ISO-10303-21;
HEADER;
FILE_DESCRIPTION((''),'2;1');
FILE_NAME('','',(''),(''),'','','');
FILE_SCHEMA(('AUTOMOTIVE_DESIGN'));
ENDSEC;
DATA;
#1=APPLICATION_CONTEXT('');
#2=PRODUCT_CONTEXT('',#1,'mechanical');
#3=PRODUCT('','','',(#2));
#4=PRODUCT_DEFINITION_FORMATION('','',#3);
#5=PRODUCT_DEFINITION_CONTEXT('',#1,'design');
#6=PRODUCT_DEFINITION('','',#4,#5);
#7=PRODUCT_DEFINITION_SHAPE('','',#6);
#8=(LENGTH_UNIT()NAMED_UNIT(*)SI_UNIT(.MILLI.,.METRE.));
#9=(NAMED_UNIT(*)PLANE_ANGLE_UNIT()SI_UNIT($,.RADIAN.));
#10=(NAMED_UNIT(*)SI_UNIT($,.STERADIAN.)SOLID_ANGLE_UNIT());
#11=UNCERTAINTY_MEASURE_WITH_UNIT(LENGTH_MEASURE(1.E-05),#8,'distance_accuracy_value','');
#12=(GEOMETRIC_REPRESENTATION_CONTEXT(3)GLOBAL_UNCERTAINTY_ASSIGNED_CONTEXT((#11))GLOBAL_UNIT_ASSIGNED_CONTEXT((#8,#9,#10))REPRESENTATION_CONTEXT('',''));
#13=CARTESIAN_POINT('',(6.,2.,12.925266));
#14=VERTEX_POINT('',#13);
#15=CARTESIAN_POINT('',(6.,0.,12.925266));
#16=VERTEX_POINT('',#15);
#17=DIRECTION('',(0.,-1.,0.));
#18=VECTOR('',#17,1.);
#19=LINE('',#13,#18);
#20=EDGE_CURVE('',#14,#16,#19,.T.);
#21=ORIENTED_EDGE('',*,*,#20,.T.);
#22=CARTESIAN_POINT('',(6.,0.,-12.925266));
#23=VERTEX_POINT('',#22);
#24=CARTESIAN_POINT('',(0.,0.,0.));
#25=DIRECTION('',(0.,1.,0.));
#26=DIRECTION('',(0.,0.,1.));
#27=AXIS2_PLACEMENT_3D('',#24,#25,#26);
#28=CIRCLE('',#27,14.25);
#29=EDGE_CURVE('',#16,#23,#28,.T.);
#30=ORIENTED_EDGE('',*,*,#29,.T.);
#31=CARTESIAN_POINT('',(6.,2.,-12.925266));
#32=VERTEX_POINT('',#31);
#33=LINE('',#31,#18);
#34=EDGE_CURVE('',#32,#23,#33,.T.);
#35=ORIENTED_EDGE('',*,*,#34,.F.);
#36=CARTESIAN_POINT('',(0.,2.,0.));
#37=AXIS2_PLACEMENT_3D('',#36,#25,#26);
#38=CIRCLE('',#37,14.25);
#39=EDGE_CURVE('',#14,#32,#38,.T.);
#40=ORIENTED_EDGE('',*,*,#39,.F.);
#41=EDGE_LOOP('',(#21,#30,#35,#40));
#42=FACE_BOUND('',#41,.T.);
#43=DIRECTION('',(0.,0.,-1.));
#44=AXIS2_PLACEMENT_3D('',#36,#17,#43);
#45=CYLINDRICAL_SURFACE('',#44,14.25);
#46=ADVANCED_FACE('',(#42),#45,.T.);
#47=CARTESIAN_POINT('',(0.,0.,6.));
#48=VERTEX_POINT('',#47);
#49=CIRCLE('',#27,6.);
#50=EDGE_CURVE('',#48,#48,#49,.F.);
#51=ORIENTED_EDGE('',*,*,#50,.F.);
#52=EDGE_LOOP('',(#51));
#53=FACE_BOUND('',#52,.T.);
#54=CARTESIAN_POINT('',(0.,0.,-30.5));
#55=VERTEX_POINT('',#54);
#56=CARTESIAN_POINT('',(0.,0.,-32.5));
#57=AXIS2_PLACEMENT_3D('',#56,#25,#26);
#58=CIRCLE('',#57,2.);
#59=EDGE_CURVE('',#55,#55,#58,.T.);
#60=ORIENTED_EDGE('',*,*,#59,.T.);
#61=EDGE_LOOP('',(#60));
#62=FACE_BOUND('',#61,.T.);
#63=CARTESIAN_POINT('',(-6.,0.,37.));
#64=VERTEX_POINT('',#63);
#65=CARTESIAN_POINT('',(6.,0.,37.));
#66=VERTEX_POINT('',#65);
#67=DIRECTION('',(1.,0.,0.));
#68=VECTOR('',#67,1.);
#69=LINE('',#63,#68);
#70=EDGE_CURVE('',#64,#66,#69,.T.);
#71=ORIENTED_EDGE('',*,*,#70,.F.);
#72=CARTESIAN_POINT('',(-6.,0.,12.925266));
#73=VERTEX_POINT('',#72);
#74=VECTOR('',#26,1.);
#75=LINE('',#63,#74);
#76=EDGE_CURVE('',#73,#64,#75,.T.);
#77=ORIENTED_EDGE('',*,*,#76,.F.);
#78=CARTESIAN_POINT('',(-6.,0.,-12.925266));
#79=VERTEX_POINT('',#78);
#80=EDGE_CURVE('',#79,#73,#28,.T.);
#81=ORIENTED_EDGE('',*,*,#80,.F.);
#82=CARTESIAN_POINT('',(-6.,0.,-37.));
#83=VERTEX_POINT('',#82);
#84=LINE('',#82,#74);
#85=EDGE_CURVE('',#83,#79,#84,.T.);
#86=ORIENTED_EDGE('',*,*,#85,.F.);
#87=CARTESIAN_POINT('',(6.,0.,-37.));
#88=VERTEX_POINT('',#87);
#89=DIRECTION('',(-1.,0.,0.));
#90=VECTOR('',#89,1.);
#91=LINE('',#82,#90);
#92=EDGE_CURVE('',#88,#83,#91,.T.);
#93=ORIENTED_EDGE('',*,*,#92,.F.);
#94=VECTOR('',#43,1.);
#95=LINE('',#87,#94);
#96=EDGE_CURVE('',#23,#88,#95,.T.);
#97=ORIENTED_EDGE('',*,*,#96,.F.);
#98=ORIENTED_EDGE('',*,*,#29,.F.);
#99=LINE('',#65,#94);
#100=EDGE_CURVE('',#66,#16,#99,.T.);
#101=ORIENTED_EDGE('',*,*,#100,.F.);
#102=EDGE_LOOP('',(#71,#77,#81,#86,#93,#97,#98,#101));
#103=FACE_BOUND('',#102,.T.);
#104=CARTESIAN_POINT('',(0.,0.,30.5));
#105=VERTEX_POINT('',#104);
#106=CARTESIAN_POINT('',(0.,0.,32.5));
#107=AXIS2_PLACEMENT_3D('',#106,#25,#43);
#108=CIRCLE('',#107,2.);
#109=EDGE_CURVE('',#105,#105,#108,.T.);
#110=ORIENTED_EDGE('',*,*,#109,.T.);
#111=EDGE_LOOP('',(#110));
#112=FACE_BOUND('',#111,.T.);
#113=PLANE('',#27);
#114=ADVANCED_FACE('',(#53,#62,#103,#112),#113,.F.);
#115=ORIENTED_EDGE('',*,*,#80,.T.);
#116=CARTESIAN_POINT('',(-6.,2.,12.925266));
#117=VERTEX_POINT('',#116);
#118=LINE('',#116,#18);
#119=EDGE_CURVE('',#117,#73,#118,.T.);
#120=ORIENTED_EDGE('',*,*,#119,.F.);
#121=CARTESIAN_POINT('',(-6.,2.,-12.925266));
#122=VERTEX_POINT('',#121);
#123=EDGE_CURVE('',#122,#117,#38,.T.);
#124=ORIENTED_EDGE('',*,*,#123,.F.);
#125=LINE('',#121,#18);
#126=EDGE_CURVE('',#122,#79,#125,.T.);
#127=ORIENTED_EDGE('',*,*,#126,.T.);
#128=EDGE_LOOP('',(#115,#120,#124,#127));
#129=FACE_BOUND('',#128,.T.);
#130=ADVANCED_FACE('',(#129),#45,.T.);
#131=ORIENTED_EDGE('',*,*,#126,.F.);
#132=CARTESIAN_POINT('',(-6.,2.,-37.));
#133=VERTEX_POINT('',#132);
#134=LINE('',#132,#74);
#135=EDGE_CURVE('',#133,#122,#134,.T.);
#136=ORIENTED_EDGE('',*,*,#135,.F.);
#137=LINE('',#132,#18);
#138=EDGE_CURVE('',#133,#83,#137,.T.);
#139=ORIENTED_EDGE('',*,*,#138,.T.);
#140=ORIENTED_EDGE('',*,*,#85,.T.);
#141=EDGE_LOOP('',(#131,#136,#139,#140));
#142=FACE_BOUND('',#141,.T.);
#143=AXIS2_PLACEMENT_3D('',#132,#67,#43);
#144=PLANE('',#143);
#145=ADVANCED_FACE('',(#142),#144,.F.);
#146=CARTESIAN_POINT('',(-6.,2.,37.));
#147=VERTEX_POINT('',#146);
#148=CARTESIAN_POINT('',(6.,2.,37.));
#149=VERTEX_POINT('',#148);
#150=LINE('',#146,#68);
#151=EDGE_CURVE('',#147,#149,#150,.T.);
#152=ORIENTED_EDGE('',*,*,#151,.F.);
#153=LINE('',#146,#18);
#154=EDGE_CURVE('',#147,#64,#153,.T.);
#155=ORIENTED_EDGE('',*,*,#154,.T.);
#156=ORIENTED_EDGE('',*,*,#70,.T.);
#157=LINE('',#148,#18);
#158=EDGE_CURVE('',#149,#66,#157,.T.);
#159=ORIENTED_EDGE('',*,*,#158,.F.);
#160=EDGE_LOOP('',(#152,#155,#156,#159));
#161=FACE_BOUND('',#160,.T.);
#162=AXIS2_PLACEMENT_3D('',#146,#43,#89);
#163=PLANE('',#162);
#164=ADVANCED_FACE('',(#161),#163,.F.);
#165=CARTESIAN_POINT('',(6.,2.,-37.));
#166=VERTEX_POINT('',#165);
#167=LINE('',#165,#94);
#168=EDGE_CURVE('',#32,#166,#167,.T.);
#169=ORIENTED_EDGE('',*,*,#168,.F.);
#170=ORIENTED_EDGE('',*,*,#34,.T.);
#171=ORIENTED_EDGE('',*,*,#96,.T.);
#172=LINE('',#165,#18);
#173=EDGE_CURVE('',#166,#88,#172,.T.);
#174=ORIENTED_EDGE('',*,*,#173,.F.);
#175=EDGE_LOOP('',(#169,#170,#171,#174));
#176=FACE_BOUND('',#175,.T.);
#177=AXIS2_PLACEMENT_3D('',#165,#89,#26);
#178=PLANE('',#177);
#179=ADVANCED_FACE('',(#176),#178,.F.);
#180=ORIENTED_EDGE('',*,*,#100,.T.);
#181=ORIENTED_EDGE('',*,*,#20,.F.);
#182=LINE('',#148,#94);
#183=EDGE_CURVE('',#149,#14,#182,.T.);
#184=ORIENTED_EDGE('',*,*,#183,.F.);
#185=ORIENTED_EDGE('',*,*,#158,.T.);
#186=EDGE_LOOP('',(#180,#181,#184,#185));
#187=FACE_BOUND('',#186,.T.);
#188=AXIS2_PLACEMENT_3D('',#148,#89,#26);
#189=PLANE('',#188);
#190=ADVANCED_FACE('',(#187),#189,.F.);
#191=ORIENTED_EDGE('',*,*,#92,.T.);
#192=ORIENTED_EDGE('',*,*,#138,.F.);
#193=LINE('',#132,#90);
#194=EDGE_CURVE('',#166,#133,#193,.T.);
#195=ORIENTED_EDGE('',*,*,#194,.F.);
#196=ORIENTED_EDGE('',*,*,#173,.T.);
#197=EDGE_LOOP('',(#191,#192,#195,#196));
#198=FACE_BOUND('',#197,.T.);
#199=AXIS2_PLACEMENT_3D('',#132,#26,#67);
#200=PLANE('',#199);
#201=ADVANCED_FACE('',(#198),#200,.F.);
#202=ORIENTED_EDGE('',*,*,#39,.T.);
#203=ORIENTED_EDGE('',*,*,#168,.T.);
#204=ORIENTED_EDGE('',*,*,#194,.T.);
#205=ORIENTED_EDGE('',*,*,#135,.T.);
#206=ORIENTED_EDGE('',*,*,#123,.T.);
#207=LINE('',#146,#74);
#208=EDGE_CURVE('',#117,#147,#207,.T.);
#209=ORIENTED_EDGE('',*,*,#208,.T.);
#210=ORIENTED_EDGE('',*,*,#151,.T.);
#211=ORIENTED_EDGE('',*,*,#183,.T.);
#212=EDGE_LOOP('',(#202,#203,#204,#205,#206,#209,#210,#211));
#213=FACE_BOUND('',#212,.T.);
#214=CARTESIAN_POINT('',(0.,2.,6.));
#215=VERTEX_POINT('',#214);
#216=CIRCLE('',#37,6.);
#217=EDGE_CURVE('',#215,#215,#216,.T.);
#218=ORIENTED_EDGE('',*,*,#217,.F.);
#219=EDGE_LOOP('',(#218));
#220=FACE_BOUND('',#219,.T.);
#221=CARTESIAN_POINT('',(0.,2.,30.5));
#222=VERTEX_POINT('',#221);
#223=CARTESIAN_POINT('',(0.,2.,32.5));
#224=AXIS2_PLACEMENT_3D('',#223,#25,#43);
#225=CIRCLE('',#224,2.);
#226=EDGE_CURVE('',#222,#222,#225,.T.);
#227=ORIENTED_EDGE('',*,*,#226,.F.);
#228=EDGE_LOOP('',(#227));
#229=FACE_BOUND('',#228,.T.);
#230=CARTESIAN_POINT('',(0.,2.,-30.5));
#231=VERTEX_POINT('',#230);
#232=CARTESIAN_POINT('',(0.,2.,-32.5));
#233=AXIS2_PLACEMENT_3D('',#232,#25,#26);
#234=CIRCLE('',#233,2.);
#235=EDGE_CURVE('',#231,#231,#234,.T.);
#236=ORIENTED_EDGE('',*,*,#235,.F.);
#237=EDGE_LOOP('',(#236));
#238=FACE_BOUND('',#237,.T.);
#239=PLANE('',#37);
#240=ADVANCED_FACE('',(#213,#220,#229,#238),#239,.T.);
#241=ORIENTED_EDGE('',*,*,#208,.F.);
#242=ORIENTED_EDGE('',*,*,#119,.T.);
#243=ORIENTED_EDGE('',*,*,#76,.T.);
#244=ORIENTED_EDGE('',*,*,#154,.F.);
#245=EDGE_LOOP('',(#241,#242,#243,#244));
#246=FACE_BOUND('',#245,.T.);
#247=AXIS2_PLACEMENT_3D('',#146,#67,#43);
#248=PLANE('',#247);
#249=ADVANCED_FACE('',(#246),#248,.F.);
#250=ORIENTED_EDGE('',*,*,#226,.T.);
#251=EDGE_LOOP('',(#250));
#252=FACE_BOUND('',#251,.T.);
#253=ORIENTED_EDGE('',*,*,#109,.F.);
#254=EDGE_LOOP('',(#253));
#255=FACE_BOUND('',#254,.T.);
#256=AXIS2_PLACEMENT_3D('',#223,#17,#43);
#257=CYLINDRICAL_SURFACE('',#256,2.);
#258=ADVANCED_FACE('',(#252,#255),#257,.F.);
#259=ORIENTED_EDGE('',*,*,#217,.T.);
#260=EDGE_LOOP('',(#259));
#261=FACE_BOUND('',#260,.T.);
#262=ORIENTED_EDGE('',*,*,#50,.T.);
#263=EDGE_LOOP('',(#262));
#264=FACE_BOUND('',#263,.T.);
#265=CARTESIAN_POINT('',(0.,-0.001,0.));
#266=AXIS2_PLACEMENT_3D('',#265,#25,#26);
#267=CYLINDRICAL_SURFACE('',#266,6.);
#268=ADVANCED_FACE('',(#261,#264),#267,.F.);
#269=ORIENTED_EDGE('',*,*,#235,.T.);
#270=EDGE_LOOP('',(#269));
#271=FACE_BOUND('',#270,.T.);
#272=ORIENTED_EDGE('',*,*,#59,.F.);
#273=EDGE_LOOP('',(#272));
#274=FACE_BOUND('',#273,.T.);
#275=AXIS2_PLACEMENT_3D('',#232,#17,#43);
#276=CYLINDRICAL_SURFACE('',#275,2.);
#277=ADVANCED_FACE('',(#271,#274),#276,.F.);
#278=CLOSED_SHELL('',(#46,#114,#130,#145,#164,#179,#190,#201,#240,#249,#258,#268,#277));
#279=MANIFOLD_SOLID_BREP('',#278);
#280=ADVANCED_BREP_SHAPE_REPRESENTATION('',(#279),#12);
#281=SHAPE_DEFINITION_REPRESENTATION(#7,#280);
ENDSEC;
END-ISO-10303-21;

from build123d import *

# Parameters (mm, degrees)
SKETCH1_R           = 2
BOSS_EXTRUDE1_DEPTH = 2
CUT_EXTRUDE1_REACH  = 41.7
SKETCH2_R           = 6


with BuildPart() as part:
    # Sketch1 → Boss-Extrude1 (new body)
    with BuildSketch(Plane(origin=(0, 0, 0), x_dir=(1, 0, 0), z_dir=(0, 1, 0))):
        with BuildLine():
            Line((-6, 37), (6, 37))
            Line((6, 37), (6, 12.925265955))
            ThreePointArc((6, 12.925265955), (14.25, 0), (6, -12.925265955))
            Line((6, -12.925265955), (6, -37))
            Line((6, -37), (-6, -37))
            Line((-6, -37), (-6, -12.925265955))
            ThreePointArc((-6, -12.925265955), (-14.25, 0), (-6, 12.925265955))
            Line((-6, 12.925265955), (-6, 37))
        make_face()
        with Locations(Location((0, 32.5, 0), (0, 0, 270))):
            Circle(SKETCH1_R, mode=Mode.SUBTRACT)
        with Locations(Location((0, -32.5, 0), (0, 0, 90))):
            Circle(SKETCH1_R, mode=Mode.SUBTRACT)
    extrude(amount=BOSS_EXTRUDE1_DEPTH)

    # Sketch2 → Cut-Extrude1 (cut, up to next)
    with BuildSketch(Plane(origin=(0, 2, 0), x_dir=(1, 0, 0), z_dir=(0, 1, 0)), mode=Mode.PRIVATE) as cut_extrude1_sk1:
        with Locations(Location((0, 0, 0), (0, 0, 270))):
            Circle(SKETCH2_R)
    cut_extrude1_tool1 = extrude(cut_extrude1_sk1.sketch, amount=-CUT_EXTRUDE1_REACH, mode=Mode.PRIVATE) & part.part
    add(cut_extrude1_tool1.solids().sort_by_distance((0, 2, 0))[0], mode=Mode.SUBTRACT)


solid = part.part
